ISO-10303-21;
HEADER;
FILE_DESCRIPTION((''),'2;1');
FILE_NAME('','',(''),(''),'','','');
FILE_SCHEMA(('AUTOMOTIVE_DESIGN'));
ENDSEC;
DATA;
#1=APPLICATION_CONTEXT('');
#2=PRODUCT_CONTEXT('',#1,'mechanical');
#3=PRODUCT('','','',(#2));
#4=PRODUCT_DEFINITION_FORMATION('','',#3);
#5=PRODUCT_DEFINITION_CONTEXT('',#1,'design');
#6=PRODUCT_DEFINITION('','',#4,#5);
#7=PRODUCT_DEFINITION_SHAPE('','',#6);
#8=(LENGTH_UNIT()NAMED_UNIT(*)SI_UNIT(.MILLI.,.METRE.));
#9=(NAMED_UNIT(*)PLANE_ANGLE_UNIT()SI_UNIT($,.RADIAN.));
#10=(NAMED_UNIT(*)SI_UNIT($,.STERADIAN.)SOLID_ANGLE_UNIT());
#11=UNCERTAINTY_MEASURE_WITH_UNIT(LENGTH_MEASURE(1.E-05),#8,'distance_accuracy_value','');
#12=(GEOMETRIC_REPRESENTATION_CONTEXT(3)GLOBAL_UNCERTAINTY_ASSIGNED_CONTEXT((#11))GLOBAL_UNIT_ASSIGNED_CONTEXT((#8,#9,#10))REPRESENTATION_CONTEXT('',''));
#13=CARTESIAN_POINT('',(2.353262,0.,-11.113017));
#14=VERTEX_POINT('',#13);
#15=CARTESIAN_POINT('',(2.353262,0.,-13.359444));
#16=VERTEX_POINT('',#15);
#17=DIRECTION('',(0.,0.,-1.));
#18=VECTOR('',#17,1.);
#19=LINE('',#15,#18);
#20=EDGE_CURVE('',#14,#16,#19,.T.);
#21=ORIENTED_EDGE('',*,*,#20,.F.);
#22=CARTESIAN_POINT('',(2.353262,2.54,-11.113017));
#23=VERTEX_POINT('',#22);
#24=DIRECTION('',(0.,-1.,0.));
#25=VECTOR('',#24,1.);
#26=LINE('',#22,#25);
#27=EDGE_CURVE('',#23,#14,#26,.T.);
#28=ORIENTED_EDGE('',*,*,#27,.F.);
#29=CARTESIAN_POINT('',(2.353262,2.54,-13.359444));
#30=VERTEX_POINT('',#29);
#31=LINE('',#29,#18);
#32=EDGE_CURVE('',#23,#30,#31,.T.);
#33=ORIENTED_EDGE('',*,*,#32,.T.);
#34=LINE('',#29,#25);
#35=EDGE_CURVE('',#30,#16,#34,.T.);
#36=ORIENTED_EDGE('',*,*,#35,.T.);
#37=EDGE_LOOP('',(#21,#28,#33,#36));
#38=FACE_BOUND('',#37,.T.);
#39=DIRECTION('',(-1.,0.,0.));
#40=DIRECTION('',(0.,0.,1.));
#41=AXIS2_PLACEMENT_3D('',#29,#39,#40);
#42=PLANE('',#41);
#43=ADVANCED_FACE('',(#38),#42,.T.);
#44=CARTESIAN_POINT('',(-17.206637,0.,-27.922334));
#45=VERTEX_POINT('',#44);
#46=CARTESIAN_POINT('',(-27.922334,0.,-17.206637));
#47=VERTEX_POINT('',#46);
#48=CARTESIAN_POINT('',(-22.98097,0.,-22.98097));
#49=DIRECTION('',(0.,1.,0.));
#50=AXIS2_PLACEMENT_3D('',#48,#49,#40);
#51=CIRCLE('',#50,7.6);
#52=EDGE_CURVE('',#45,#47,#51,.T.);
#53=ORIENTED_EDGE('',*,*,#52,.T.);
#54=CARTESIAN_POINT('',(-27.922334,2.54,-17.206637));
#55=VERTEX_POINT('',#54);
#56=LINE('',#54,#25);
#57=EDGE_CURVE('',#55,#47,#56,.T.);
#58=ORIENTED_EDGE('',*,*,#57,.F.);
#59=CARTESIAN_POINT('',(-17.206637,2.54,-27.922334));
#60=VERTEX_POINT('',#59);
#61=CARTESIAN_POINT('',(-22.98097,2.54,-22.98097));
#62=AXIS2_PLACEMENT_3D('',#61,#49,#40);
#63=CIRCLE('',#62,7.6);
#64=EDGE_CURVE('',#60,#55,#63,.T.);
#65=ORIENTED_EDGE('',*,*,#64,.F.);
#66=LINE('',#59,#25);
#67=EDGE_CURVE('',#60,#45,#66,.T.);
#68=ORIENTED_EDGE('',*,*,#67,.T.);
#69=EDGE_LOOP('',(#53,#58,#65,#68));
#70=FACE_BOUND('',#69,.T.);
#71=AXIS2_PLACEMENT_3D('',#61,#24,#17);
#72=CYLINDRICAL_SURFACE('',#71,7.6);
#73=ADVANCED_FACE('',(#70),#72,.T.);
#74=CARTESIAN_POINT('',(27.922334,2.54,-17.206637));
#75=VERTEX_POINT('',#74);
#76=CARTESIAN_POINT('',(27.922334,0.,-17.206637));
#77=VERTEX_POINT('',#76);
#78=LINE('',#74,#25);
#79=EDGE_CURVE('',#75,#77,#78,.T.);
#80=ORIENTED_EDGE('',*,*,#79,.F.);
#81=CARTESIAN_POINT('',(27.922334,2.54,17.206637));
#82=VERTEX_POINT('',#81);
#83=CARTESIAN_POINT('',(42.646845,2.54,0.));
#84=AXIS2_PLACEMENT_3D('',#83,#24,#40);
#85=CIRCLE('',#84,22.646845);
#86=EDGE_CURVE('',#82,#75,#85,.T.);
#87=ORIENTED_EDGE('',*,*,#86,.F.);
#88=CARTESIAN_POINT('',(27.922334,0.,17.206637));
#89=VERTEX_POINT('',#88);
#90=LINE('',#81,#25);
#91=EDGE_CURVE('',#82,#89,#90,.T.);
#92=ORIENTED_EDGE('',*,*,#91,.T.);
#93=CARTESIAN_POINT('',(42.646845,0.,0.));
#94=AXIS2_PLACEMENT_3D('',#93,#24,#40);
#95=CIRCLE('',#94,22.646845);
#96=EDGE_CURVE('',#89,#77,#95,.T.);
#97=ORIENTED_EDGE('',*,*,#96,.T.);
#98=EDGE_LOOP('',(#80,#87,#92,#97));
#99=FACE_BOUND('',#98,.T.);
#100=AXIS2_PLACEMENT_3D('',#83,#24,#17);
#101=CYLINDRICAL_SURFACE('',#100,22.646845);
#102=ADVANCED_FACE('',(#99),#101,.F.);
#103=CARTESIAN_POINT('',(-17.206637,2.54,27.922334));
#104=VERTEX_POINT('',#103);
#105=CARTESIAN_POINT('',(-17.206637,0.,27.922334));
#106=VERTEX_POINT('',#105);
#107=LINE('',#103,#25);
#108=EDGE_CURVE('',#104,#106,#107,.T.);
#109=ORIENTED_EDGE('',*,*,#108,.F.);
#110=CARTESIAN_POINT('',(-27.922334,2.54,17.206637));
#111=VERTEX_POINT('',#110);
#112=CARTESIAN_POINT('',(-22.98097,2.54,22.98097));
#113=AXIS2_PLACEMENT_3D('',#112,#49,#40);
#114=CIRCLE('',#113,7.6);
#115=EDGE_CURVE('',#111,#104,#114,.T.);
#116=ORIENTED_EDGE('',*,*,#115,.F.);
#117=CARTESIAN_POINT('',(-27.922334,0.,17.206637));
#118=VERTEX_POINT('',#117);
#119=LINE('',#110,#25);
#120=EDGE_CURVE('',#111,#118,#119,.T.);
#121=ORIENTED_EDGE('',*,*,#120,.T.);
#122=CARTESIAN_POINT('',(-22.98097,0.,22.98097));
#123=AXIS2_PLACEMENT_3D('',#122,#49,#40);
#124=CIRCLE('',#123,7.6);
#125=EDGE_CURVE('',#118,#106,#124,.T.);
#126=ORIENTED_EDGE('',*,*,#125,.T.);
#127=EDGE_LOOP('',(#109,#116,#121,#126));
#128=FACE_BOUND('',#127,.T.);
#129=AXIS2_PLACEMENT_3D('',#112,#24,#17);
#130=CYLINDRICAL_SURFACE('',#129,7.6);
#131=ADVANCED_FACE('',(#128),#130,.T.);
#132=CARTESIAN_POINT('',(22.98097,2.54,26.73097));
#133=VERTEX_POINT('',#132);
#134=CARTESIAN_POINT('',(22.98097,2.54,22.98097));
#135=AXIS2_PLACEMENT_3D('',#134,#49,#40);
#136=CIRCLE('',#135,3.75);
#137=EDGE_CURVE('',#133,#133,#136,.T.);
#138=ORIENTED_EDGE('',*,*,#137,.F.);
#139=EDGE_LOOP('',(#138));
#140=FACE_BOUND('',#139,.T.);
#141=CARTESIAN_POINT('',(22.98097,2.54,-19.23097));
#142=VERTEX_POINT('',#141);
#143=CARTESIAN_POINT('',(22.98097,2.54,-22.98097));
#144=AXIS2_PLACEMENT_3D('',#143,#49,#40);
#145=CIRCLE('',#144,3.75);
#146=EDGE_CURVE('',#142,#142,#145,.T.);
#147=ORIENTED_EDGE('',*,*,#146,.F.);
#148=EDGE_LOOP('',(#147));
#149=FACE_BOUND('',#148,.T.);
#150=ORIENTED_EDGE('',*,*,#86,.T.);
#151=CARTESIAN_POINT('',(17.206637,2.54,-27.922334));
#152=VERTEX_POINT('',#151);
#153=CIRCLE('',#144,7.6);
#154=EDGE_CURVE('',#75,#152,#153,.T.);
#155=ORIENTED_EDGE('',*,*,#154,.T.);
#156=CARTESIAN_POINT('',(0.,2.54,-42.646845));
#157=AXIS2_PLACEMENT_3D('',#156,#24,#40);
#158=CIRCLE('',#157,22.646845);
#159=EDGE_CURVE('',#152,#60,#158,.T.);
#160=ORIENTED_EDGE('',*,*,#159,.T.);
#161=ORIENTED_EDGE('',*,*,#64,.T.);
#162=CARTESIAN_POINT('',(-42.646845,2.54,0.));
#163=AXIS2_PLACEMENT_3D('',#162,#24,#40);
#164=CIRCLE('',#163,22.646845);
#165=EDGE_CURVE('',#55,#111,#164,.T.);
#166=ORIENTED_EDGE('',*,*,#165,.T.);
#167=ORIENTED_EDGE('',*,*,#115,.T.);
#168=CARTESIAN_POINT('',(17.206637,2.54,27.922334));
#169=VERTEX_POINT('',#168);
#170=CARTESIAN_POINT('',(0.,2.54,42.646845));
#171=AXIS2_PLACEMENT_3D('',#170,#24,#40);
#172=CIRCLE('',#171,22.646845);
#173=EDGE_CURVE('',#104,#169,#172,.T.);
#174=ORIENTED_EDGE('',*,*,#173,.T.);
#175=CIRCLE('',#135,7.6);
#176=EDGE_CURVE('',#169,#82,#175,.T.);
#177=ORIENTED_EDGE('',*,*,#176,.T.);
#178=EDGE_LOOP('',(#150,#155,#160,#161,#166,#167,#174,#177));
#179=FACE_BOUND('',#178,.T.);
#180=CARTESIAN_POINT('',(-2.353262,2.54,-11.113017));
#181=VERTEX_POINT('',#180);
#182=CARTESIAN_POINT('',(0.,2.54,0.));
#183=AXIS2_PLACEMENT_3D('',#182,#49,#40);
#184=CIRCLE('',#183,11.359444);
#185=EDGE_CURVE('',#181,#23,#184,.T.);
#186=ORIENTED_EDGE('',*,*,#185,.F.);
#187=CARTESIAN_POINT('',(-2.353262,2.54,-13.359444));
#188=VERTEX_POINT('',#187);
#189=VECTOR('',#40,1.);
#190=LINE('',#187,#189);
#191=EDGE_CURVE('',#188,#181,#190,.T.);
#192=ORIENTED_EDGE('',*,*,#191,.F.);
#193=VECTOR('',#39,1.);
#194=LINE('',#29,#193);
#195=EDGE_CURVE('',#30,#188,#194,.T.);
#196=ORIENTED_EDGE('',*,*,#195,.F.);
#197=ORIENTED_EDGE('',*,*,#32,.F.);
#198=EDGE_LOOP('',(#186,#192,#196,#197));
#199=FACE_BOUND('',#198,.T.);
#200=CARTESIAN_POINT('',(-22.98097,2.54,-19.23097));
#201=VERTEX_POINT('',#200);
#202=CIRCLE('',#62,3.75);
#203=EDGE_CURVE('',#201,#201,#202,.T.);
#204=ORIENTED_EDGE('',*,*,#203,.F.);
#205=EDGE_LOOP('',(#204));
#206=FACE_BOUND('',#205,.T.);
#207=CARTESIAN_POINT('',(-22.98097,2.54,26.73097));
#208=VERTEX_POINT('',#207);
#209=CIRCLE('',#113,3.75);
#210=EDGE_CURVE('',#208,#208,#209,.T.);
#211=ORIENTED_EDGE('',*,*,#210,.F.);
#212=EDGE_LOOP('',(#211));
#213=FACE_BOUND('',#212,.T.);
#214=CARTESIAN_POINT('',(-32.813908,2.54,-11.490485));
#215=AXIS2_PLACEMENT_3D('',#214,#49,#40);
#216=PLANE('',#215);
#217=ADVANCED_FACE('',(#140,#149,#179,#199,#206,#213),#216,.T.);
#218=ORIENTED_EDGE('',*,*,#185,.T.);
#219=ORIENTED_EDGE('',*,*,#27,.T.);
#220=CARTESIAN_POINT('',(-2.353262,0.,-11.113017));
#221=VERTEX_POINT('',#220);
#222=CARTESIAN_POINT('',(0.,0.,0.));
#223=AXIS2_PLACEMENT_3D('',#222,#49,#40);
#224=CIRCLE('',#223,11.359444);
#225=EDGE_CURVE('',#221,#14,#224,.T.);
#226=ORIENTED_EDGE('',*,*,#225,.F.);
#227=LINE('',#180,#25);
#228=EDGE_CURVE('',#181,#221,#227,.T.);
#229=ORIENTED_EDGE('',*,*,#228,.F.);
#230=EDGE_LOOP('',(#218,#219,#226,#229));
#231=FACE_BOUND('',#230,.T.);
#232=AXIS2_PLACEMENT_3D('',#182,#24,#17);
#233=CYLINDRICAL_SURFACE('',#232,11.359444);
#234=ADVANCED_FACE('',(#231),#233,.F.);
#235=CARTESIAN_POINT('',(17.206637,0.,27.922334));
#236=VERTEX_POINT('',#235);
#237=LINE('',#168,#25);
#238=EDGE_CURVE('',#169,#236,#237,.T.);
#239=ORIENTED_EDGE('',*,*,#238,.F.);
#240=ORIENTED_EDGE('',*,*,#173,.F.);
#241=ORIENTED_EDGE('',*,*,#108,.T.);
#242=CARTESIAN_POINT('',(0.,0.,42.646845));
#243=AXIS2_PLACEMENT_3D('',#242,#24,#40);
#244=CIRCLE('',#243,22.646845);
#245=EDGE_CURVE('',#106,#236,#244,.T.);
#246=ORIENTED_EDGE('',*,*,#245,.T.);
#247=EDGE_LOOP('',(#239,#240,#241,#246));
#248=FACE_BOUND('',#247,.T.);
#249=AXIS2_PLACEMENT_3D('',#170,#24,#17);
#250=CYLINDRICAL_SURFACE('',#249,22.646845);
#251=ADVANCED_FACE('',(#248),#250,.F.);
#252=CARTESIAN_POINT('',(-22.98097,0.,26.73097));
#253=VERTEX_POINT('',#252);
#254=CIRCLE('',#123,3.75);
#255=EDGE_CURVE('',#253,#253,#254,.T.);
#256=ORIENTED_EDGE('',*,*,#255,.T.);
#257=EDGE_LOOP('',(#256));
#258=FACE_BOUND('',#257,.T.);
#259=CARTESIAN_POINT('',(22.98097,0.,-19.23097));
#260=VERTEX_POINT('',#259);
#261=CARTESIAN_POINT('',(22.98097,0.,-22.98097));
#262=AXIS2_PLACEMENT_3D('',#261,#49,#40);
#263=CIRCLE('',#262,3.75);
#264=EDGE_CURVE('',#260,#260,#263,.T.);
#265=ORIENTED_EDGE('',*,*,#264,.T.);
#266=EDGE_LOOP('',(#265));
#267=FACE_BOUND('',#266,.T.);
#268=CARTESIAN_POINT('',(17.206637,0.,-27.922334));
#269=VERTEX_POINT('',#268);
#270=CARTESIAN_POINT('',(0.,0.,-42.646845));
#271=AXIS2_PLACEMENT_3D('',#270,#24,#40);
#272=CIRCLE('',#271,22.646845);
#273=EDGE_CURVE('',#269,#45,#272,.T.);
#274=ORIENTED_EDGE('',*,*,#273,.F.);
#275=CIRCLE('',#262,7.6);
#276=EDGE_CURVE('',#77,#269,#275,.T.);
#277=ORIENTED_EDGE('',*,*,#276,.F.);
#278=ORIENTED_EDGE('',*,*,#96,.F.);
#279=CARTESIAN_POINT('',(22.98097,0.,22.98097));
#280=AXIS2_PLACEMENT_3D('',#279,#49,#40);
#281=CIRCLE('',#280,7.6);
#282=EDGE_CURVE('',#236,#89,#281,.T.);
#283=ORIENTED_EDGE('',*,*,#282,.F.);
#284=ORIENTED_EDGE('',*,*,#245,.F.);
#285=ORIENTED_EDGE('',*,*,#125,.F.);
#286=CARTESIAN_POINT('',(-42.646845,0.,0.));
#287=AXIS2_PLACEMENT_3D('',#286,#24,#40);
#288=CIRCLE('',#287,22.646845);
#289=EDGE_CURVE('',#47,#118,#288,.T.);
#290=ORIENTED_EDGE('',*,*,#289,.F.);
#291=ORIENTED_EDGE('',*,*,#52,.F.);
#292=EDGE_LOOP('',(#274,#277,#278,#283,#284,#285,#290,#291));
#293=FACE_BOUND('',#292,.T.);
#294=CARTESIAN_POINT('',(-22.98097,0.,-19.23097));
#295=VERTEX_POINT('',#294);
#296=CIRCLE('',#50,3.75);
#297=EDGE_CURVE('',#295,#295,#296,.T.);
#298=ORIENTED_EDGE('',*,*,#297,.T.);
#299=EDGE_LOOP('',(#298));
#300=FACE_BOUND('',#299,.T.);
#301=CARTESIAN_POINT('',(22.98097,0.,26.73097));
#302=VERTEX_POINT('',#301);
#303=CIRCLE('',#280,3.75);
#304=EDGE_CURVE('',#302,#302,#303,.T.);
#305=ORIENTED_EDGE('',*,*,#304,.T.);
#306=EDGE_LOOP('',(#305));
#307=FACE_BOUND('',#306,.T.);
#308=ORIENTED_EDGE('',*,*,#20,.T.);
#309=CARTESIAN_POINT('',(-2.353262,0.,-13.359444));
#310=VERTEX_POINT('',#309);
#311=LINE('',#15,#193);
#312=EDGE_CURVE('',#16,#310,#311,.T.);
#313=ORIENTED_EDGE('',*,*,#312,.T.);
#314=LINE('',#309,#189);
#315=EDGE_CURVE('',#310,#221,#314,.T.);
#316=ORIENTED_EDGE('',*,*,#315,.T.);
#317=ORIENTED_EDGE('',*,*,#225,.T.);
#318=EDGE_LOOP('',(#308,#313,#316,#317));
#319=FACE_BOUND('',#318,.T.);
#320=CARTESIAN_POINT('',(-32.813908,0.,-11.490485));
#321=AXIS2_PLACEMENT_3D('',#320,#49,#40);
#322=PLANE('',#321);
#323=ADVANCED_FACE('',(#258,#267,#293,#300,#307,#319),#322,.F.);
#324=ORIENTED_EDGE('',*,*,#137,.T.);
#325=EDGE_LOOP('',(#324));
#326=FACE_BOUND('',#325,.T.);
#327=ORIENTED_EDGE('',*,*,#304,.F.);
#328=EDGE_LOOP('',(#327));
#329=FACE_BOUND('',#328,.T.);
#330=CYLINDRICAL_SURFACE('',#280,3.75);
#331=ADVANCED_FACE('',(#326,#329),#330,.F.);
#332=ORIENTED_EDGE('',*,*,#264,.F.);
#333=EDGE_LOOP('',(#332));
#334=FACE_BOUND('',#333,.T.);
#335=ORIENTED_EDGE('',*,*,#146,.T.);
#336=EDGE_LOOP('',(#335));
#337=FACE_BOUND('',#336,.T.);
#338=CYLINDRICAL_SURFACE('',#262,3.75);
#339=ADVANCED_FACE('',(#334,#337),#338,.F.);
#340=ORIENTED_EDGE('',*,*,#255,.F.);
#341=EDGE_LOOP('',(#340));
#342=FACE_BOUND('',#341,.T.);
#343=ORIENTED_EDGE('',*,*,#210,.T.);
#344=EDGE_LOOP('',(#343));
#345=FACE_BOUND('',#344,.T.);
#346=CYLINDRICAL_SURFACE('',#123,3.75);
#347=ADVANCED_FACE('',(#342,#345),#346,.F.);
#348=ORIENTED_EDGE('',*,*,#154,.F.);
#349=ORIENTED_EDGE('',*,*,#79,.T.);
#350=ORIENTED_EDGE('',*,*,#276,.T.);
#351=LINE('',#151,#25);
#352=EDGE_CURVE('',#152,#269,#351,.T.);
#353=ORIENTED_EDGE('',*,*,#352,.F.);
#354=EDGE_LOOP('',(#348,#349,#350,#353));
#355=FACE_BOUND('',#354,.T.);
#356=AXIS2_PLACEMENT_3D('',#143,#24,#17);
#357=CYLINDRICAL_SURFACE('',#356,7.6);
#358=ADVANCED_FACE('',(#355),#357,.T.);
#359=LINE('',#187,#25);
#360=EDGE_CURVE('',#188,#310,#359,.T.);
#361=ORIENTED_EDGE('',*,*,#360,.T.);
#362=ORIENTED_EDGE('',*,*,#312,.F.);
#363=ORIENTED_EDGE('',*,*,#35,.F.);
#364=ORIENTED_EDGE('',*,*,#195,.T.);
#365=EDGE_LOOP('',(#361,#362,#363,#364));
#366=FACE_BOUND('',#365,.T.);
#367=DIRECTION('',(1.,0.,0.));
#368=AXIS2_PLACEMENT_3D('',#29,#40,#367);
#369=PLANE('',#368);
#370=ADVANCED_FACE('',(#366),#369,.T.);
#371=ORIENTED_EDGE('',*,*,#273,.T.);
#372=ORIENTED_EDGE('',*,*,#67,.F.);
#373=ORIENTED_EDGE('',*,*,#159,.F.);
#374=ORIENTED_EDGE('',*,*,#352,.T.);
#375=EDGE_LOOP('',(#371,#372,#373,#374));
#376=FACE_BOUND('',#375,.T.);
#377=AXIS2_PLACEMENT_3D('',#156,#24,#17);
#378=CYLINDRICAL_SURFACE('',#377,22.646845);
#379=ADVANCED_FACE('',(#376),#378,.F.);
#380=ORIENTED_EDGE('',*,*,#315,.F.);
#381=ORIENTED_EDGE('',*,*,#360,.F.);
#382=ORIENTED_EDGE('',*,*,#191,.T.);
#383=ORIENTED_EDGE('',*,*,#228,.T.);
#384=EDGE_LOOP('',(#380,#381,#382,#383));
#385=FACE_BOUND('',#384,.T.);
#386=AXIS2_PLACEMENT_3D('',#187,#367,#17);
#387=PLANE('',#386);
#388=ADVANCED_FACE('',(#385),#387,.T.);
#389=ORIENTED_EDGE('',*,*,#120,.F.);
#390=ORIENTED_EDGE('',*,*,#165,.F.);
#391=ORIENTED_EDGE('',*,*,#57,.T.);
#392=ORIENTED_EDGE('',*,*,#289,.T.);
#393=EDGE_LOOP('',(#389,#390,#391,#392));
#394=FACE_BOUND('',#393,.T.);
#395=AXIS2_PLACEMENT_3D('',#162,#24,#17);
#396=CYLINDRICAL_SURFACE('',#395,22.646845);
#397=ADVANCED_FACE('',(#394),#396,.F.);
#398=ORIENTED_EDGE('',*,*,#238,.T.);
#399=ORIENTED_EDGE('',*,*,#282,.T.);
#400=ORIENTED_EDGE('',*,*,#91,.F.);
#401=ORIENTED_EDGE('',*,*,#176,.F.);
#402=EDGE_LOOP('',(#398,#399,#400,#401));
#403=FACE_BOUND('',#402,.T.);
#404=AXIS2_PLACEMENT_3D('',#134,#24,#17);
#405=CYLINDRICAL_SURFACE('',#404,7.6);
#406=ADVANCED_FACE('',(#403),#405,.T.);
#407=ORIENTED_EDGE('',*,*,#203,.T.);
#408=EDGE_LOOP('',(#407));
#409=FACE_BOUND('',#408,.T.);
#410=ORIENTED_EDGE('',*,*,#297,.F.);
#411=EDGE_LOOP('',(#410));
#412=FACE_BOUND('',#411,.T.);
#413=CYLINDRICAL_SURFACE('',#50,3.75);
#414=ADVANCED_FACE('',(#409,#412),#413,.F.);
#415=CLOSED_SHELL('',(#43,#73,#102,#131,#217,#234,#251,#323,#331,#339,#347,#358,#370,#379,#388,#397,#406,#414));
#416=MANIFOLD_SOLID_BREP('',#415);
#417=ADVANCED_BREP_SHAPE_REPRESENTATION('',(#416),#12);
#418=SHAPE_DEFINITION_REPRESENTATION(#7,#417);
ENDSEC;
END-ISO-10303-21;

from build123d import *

# Parameters (mm, degrees)
SKETCH1_R           = 2.6
BOSS_EXTRUDE1_DEPTH = 2.54
SKETCH2_R           = 3.75
SKETCH2_R_2         = 2.6
CUT_EXTRUDE1_DEPTH  = 44.322547245


with BuildPart() as part:
    # Sketch1 → Boss-Extrude1 (new body)
    with BuildSketch(Plane(origin=(0, 0, 0), x_dir=(1, 0, 0), z_dir=(0, 1, 0))):
        with BuildLine():
            ThreePointArc((-17.206636662, 27.922333563), (-28.354981926, 28.354981926), (-27.922333563, 17.206636662))
            ThreePointArc((-27.922333563, 17.206636662), (-20, 0), (-27.922333563, -17.206636662))
            ThreePointArc((-27.922333563, -17.206636662), (-28.354981926, -28.354981926), (-17.206636662, -27.922333563))
            ThreePointArc((-17.206636662, -27.922333563), (0, -20), (17.206636662, -27.922333563))
            ThreePointArc((17.206636662, -27.922333563), (28.354981926, -28.354981926), (27.922333563, -17.206636662))
            ThreePointArc((27.922333563, -17.206636662), (20, 0), (27.922333563, 17.206636662))
            ThreePointArc((27.922333563, 17.206636662), (28.354981926, 28.354981926), (17.206636662, 27.922333563))
            ThreePointArc((17.206636662, 27.922333563), (0, 20), (-17.206636662, 27.922333563))
        make_face()
        with Locations(Location((22.980970389, 22.980970389, 0), (0, 0, 270))):
            Circle(SKETCH1_R, mode=Mode.SUBTRACT)
        with Locations(Location((22.980970389, -22.980970389, 0), (0, 0, 270))):
            Circle(SKETCH1_R, mode=Mode.SUBTRACT)
        with Locations(Location((-22.980970389, -22.980970389, 0), (0, 0, 270))):
            Circle(SKETCH1_R, mode=Mode.SUBTRACT)
        with Locations(Location((-22.980970389, 22.980970389, 0), (0, 0, 270))):
            Circle(SKETCH1_R, mode=Mode.SUBTRACT)
        with BuildLine():
            Line((2.353261567, 13.359444444), (-2.353261567, 13.359444444))
            Line((-2.353261567, 13.359444444), (-2.353261567, 11.113016606))
            ThreePointArc((-2.353261567, 11.113016606), (0, -11.359444444), (2.353261567, 11.113016606))
            Line((2.353261567, 11.113016606), (2.353261567, 13.359444444))
        make_face(mode=Mode.SUBTRACT)
    extrude(amount=BOSS_EXTRUDE1_DEPTH)

    # Sketch2 → Cut-Extrude1 (cut, through all)
    # profile 1 of 4: a face of its own
    with BuildSketch(Plane(origin=(0, 2.54, 0), x_dir=(1, 0, 0), z_dir=(0, 1, 0))):
        with Locations(Location((-22.980970389, 22.980970389, 0), (0, 0, 270))):
            Circle(SKETCH2_R)
        with Locations((-22.980970389, 22.980970389)):
            Circle(SKETCH2_R_2, mode=Mode.SUBTRACT)
    # profile 2 of 4: a face of its own
    with BuildSketch(Plane(origin=(0, 2.54, 0), x_dir=(1, 0, 0), z_dir=(0, 1, 0))):
        with Locations(Location((22.980970389, 22.980970389, 0), (0, 0, 270))):
            Circle(SKETCH2_R)
        with Locations((22.980970389, 22.980970389)):
            Circle(SKETCH2_R_2, mode=Mode.SUBTRACT)
    # profile 3 of 4: a face of its own
    with BuildSketch(Plane(origin=(0, 2.54, 0), x_dir=(1, 0, 0), z_dir=(0, 1, 0))):
        with Locations(Location((22.980970389, -22.980970389, 0), (0, 0, 270))):
            Circle(SKETCH2_R)
        with Locations((22.980970389, -22.980970389)):
            Circle(SKETCH2_R_2, mode=Mode.SUBTRACT)
    # profile 4 of 4: a face of its own
    with BuildSketch(Plane(origin=(0, 2.54, 0), x_dir=(1, 0, 0), z_dir=(0, 1, 0))):
        with Locations(Location((-22.980970389, -22.980970389, 0), (0, 0, 270))):
            Circle(SKETCH2_R)
        with Locations((-22.980970389, -22.980970389)):
            Circle(SKETCH2_R_2, mode=Mode.SUBTRACT)
    extrude(amount=-CUT_EXTRUDE1_DEPTH, mode=Mode.SUBTRACT)


solid = part.part
